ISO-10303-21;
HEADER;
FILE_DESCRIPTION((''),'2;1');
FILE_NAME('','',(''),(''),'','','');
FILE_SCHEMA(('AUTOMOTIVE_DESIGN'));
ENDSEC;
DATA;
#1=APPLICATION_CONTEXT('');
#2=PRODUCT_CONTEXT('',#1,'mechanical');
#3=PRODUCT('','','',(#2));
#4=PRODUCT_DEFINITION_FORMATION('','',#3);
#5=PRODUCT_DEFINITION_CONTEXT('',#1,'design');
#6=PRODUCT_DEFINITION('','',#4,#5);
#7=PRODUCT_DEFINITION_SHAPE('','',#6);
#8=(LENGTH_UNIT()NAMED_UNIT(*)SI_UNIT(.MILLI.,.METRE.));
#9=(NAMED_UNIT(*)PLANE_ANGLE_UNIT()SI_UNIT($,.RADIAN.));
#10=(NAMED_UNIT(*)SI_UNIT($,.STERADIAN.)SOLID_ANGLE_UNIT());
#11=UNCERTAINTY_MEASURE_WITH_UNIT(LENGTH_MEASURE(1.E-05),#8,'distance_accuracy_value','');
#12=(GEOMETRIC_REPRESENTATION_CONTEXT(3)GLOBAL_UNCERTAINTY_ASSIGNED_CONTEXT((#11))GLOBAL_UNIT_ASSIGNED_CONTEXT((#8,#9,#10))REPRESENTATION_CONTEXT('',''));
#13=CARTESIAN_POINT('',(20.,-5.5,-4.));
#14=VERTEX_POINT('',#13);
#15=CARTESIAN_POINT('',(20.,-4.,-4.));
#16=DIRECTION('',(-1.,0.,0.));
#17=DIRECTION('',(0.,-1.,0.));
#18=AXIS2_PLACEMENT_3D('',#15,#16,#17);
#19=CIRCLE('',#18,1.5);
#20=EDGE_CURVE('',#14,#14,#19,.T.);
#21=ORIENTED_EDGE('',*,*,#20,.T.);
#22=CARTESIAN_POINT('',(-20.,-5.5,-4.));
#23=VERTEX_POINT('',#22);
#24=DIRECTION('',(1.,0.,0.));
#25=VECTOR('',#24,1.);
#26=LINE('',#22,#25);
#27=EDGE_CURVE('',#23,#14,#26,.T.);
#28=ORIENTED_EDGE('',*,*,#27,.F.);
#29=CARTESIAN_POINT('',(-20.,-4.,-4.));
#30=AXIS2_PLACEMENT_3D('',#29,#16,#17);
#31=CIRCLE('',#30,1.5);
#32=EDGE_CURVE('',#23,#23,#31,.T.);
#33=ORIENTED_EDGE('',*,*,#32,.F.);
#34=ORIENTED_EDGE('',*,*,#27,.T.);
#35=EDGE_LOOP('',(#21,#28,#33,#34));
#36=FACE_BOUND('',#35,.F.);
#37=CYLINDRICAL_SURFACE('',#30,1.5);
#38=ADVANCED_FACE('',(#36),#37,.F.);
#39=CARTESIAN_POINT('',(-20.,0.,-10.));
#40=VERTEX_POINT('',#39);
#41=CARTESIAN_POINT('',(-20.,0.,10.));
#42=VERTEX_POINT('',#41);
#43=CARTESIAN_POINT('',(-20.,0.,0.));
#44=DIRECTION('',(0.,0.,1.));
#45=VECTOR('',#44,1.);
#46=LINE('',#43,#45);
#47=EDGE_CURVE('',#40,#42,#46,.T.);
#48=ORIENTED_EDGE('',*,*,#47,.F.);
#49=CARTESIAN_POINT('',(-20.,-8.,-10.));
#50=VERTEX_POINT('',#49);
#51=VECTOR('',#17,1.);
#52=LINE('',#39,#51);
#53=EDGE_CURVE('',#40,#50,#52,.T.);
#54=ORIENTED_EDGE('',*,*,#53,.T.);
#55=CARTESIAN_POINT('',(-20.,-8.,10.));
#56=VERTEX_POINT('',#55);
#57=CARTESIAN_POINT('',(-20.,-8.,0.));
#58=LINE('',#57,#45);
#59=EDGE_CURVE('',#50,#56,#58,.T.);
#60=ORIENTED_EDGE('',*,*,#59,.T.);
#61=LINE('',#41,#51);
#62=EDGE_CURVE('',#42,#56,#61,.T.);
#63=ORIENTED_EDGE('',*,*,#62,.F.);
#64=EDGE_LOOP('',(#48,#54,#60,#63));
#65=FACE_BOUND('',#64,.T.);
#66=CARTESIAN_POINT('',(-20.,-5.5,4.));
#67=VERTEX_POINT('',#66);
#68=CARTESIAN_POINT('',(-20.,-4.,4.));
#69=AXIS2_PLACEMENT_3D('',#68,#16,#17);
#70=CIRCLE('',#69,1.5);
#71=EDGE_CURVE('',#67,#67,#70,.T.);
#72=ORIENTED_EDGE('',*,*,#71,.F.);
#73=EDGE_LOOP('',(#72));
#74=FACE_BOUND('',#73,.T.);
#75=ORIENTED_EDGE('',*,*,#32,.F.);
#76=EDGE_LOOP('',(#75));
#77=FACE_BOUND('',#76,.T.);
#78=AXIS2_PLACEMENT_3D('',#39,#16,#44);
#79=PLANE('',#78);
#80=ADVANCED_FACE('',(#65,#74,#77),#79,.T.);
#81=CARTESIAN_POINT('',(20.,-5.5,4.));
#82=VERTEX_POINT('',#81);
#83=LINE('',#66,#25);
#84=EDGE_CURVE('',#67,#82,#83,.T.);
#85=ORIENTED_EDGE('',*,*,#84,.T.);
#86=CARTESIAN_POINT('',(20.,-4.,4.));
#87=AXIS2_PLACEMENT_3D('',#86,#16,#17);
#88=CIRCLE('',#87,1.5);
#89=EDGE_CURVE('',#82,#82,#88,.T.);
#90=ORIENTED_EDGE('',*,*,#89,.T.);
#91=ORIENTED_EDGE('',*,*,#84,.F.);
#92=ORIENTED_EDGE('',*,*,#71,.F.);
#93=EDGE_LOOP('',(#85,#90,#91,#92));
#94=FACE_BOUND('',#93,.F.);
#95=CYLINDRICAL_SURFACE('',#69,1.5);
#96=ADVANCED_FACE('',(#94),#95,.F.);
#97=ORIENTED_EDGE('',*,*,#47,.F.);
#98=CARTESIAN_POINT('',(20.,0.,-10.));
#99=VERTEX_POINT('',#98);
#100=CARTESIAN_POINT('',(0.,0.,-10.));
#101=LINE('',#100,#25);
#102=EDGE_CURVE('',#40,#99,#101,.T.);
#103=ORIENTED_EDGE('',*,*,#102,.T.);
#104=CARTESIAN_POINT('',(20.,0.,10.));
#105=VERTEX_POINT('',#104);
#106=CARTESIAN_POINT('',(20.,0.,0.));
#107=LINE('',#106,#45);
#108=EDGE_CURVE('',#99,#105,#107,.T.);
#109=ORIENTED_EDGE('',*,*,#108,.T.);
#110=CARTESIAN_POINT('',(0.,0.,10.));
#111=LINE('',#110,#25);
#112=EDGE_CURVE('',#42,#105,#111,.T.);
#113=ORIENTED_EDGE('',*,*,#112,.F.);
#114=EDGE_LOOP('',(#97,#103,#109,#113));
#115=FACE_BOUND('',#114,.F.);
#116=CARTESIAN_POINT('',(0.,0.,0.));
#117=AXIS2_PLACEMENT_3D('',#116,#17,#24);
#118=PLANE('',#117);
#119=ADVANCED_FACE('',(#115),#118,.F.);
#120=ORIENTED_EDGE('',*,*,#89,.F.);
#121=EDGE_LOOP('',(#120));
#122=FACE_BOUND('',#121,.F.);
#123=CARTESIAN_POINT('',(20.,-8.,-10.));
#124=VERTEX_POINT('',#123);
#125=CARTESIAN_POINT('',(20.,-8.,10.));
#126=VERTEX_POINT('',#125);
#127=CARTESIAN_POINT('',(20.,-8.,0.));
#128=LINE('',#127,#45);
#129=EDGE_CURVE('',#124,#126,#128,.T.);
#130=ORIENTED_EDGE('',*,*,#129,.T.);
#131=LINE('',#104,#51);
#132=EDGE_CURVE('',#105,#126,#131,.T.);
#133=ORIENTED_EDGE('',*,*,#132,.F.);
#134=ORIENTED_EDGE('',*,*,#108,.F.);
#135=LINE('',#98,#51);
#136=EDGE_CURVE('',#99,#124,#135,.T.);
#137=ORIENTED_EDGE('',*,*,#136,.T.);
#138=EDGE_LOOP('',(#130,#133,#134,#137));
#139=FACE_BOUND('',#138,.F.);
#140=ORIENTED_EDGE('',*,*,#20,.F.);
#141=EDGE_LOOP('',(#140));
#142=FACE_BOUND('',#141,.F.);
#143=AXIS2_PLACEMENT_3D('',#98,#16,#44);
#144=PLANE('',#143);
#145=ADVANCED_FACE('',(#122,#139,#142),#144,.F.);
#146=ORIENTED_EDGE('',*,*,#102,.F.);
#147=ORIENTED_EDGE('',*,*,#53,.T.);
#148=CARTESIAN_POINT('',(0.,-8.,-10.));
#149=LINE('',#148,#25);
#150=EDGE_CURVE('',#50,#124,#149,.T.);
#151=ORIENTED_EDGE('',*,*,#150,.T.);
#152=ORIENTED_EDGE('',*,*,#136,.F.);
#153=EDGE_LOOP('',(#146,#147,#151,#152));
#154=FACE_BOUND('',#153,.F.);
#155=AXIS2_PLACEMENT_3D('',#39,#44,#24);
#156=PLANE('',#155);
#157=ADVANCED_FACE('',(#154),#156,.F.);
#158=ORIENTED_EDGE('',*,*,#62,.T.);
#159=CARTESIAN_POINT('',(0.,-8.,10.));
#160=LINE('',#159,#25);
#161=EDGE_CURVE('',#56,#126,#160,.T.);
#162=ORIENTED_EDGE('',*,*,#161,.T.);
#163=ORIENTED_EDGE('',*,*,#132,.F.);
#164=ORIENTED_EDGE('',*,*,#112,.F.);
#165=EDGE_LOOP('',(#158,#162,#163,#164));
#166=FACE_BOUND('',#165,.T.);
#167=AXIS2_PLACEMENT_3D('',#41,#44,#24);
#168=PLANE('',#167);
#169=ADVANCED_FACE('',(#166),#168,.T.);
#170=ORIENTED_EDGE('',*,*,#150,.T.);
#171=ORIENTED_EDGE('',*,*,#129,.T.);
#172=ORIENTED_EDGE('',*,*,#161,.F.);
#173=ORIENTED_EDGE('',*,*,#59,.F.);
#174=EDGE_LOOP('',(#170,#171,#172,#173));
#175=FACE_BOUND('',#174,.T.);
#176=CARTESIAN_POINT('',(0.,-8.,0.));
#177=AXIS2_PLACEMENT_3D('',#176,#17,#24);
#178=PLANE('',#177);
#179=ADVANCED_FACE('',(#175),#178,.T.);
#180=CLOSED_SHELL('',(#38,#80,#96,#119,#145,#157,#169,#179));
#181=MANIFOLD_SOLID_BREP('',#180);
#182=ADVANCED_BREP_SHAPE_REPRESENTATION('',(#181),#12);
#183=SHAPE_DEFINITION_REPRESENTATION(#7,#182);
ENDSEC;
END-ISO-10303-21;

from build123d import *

# Parameters (mm, degrees)
F0_W     = 40
F0_H     = 20
F1_DEPTH = 8
F2_R     = 1.5
F3_DEPTH = 40.001


with BuildPart() as f1:
    # F0 (on Front) → F1 (new body)
    with BuildSketch(Plane.XZ):
        Rectangle(F0_W, F0_H)
    extrude(amount=F1_DEPTH)

    # F2 (on face) → F3 (cut, through all)
    with BuildSketch(Plane(origin=(-20, 0, 0), x_dir=(0, -1, 0), z_dir=(-1, 0, 0))):
        with Locations((4, 4)):
            Circle(F2_R)
        with Locations((4, -4)):
            Circle(F2_R)
    extrude(amount=-F3_DEPTH, mode=Mode.SUBTRACT)


solid = f1.part
